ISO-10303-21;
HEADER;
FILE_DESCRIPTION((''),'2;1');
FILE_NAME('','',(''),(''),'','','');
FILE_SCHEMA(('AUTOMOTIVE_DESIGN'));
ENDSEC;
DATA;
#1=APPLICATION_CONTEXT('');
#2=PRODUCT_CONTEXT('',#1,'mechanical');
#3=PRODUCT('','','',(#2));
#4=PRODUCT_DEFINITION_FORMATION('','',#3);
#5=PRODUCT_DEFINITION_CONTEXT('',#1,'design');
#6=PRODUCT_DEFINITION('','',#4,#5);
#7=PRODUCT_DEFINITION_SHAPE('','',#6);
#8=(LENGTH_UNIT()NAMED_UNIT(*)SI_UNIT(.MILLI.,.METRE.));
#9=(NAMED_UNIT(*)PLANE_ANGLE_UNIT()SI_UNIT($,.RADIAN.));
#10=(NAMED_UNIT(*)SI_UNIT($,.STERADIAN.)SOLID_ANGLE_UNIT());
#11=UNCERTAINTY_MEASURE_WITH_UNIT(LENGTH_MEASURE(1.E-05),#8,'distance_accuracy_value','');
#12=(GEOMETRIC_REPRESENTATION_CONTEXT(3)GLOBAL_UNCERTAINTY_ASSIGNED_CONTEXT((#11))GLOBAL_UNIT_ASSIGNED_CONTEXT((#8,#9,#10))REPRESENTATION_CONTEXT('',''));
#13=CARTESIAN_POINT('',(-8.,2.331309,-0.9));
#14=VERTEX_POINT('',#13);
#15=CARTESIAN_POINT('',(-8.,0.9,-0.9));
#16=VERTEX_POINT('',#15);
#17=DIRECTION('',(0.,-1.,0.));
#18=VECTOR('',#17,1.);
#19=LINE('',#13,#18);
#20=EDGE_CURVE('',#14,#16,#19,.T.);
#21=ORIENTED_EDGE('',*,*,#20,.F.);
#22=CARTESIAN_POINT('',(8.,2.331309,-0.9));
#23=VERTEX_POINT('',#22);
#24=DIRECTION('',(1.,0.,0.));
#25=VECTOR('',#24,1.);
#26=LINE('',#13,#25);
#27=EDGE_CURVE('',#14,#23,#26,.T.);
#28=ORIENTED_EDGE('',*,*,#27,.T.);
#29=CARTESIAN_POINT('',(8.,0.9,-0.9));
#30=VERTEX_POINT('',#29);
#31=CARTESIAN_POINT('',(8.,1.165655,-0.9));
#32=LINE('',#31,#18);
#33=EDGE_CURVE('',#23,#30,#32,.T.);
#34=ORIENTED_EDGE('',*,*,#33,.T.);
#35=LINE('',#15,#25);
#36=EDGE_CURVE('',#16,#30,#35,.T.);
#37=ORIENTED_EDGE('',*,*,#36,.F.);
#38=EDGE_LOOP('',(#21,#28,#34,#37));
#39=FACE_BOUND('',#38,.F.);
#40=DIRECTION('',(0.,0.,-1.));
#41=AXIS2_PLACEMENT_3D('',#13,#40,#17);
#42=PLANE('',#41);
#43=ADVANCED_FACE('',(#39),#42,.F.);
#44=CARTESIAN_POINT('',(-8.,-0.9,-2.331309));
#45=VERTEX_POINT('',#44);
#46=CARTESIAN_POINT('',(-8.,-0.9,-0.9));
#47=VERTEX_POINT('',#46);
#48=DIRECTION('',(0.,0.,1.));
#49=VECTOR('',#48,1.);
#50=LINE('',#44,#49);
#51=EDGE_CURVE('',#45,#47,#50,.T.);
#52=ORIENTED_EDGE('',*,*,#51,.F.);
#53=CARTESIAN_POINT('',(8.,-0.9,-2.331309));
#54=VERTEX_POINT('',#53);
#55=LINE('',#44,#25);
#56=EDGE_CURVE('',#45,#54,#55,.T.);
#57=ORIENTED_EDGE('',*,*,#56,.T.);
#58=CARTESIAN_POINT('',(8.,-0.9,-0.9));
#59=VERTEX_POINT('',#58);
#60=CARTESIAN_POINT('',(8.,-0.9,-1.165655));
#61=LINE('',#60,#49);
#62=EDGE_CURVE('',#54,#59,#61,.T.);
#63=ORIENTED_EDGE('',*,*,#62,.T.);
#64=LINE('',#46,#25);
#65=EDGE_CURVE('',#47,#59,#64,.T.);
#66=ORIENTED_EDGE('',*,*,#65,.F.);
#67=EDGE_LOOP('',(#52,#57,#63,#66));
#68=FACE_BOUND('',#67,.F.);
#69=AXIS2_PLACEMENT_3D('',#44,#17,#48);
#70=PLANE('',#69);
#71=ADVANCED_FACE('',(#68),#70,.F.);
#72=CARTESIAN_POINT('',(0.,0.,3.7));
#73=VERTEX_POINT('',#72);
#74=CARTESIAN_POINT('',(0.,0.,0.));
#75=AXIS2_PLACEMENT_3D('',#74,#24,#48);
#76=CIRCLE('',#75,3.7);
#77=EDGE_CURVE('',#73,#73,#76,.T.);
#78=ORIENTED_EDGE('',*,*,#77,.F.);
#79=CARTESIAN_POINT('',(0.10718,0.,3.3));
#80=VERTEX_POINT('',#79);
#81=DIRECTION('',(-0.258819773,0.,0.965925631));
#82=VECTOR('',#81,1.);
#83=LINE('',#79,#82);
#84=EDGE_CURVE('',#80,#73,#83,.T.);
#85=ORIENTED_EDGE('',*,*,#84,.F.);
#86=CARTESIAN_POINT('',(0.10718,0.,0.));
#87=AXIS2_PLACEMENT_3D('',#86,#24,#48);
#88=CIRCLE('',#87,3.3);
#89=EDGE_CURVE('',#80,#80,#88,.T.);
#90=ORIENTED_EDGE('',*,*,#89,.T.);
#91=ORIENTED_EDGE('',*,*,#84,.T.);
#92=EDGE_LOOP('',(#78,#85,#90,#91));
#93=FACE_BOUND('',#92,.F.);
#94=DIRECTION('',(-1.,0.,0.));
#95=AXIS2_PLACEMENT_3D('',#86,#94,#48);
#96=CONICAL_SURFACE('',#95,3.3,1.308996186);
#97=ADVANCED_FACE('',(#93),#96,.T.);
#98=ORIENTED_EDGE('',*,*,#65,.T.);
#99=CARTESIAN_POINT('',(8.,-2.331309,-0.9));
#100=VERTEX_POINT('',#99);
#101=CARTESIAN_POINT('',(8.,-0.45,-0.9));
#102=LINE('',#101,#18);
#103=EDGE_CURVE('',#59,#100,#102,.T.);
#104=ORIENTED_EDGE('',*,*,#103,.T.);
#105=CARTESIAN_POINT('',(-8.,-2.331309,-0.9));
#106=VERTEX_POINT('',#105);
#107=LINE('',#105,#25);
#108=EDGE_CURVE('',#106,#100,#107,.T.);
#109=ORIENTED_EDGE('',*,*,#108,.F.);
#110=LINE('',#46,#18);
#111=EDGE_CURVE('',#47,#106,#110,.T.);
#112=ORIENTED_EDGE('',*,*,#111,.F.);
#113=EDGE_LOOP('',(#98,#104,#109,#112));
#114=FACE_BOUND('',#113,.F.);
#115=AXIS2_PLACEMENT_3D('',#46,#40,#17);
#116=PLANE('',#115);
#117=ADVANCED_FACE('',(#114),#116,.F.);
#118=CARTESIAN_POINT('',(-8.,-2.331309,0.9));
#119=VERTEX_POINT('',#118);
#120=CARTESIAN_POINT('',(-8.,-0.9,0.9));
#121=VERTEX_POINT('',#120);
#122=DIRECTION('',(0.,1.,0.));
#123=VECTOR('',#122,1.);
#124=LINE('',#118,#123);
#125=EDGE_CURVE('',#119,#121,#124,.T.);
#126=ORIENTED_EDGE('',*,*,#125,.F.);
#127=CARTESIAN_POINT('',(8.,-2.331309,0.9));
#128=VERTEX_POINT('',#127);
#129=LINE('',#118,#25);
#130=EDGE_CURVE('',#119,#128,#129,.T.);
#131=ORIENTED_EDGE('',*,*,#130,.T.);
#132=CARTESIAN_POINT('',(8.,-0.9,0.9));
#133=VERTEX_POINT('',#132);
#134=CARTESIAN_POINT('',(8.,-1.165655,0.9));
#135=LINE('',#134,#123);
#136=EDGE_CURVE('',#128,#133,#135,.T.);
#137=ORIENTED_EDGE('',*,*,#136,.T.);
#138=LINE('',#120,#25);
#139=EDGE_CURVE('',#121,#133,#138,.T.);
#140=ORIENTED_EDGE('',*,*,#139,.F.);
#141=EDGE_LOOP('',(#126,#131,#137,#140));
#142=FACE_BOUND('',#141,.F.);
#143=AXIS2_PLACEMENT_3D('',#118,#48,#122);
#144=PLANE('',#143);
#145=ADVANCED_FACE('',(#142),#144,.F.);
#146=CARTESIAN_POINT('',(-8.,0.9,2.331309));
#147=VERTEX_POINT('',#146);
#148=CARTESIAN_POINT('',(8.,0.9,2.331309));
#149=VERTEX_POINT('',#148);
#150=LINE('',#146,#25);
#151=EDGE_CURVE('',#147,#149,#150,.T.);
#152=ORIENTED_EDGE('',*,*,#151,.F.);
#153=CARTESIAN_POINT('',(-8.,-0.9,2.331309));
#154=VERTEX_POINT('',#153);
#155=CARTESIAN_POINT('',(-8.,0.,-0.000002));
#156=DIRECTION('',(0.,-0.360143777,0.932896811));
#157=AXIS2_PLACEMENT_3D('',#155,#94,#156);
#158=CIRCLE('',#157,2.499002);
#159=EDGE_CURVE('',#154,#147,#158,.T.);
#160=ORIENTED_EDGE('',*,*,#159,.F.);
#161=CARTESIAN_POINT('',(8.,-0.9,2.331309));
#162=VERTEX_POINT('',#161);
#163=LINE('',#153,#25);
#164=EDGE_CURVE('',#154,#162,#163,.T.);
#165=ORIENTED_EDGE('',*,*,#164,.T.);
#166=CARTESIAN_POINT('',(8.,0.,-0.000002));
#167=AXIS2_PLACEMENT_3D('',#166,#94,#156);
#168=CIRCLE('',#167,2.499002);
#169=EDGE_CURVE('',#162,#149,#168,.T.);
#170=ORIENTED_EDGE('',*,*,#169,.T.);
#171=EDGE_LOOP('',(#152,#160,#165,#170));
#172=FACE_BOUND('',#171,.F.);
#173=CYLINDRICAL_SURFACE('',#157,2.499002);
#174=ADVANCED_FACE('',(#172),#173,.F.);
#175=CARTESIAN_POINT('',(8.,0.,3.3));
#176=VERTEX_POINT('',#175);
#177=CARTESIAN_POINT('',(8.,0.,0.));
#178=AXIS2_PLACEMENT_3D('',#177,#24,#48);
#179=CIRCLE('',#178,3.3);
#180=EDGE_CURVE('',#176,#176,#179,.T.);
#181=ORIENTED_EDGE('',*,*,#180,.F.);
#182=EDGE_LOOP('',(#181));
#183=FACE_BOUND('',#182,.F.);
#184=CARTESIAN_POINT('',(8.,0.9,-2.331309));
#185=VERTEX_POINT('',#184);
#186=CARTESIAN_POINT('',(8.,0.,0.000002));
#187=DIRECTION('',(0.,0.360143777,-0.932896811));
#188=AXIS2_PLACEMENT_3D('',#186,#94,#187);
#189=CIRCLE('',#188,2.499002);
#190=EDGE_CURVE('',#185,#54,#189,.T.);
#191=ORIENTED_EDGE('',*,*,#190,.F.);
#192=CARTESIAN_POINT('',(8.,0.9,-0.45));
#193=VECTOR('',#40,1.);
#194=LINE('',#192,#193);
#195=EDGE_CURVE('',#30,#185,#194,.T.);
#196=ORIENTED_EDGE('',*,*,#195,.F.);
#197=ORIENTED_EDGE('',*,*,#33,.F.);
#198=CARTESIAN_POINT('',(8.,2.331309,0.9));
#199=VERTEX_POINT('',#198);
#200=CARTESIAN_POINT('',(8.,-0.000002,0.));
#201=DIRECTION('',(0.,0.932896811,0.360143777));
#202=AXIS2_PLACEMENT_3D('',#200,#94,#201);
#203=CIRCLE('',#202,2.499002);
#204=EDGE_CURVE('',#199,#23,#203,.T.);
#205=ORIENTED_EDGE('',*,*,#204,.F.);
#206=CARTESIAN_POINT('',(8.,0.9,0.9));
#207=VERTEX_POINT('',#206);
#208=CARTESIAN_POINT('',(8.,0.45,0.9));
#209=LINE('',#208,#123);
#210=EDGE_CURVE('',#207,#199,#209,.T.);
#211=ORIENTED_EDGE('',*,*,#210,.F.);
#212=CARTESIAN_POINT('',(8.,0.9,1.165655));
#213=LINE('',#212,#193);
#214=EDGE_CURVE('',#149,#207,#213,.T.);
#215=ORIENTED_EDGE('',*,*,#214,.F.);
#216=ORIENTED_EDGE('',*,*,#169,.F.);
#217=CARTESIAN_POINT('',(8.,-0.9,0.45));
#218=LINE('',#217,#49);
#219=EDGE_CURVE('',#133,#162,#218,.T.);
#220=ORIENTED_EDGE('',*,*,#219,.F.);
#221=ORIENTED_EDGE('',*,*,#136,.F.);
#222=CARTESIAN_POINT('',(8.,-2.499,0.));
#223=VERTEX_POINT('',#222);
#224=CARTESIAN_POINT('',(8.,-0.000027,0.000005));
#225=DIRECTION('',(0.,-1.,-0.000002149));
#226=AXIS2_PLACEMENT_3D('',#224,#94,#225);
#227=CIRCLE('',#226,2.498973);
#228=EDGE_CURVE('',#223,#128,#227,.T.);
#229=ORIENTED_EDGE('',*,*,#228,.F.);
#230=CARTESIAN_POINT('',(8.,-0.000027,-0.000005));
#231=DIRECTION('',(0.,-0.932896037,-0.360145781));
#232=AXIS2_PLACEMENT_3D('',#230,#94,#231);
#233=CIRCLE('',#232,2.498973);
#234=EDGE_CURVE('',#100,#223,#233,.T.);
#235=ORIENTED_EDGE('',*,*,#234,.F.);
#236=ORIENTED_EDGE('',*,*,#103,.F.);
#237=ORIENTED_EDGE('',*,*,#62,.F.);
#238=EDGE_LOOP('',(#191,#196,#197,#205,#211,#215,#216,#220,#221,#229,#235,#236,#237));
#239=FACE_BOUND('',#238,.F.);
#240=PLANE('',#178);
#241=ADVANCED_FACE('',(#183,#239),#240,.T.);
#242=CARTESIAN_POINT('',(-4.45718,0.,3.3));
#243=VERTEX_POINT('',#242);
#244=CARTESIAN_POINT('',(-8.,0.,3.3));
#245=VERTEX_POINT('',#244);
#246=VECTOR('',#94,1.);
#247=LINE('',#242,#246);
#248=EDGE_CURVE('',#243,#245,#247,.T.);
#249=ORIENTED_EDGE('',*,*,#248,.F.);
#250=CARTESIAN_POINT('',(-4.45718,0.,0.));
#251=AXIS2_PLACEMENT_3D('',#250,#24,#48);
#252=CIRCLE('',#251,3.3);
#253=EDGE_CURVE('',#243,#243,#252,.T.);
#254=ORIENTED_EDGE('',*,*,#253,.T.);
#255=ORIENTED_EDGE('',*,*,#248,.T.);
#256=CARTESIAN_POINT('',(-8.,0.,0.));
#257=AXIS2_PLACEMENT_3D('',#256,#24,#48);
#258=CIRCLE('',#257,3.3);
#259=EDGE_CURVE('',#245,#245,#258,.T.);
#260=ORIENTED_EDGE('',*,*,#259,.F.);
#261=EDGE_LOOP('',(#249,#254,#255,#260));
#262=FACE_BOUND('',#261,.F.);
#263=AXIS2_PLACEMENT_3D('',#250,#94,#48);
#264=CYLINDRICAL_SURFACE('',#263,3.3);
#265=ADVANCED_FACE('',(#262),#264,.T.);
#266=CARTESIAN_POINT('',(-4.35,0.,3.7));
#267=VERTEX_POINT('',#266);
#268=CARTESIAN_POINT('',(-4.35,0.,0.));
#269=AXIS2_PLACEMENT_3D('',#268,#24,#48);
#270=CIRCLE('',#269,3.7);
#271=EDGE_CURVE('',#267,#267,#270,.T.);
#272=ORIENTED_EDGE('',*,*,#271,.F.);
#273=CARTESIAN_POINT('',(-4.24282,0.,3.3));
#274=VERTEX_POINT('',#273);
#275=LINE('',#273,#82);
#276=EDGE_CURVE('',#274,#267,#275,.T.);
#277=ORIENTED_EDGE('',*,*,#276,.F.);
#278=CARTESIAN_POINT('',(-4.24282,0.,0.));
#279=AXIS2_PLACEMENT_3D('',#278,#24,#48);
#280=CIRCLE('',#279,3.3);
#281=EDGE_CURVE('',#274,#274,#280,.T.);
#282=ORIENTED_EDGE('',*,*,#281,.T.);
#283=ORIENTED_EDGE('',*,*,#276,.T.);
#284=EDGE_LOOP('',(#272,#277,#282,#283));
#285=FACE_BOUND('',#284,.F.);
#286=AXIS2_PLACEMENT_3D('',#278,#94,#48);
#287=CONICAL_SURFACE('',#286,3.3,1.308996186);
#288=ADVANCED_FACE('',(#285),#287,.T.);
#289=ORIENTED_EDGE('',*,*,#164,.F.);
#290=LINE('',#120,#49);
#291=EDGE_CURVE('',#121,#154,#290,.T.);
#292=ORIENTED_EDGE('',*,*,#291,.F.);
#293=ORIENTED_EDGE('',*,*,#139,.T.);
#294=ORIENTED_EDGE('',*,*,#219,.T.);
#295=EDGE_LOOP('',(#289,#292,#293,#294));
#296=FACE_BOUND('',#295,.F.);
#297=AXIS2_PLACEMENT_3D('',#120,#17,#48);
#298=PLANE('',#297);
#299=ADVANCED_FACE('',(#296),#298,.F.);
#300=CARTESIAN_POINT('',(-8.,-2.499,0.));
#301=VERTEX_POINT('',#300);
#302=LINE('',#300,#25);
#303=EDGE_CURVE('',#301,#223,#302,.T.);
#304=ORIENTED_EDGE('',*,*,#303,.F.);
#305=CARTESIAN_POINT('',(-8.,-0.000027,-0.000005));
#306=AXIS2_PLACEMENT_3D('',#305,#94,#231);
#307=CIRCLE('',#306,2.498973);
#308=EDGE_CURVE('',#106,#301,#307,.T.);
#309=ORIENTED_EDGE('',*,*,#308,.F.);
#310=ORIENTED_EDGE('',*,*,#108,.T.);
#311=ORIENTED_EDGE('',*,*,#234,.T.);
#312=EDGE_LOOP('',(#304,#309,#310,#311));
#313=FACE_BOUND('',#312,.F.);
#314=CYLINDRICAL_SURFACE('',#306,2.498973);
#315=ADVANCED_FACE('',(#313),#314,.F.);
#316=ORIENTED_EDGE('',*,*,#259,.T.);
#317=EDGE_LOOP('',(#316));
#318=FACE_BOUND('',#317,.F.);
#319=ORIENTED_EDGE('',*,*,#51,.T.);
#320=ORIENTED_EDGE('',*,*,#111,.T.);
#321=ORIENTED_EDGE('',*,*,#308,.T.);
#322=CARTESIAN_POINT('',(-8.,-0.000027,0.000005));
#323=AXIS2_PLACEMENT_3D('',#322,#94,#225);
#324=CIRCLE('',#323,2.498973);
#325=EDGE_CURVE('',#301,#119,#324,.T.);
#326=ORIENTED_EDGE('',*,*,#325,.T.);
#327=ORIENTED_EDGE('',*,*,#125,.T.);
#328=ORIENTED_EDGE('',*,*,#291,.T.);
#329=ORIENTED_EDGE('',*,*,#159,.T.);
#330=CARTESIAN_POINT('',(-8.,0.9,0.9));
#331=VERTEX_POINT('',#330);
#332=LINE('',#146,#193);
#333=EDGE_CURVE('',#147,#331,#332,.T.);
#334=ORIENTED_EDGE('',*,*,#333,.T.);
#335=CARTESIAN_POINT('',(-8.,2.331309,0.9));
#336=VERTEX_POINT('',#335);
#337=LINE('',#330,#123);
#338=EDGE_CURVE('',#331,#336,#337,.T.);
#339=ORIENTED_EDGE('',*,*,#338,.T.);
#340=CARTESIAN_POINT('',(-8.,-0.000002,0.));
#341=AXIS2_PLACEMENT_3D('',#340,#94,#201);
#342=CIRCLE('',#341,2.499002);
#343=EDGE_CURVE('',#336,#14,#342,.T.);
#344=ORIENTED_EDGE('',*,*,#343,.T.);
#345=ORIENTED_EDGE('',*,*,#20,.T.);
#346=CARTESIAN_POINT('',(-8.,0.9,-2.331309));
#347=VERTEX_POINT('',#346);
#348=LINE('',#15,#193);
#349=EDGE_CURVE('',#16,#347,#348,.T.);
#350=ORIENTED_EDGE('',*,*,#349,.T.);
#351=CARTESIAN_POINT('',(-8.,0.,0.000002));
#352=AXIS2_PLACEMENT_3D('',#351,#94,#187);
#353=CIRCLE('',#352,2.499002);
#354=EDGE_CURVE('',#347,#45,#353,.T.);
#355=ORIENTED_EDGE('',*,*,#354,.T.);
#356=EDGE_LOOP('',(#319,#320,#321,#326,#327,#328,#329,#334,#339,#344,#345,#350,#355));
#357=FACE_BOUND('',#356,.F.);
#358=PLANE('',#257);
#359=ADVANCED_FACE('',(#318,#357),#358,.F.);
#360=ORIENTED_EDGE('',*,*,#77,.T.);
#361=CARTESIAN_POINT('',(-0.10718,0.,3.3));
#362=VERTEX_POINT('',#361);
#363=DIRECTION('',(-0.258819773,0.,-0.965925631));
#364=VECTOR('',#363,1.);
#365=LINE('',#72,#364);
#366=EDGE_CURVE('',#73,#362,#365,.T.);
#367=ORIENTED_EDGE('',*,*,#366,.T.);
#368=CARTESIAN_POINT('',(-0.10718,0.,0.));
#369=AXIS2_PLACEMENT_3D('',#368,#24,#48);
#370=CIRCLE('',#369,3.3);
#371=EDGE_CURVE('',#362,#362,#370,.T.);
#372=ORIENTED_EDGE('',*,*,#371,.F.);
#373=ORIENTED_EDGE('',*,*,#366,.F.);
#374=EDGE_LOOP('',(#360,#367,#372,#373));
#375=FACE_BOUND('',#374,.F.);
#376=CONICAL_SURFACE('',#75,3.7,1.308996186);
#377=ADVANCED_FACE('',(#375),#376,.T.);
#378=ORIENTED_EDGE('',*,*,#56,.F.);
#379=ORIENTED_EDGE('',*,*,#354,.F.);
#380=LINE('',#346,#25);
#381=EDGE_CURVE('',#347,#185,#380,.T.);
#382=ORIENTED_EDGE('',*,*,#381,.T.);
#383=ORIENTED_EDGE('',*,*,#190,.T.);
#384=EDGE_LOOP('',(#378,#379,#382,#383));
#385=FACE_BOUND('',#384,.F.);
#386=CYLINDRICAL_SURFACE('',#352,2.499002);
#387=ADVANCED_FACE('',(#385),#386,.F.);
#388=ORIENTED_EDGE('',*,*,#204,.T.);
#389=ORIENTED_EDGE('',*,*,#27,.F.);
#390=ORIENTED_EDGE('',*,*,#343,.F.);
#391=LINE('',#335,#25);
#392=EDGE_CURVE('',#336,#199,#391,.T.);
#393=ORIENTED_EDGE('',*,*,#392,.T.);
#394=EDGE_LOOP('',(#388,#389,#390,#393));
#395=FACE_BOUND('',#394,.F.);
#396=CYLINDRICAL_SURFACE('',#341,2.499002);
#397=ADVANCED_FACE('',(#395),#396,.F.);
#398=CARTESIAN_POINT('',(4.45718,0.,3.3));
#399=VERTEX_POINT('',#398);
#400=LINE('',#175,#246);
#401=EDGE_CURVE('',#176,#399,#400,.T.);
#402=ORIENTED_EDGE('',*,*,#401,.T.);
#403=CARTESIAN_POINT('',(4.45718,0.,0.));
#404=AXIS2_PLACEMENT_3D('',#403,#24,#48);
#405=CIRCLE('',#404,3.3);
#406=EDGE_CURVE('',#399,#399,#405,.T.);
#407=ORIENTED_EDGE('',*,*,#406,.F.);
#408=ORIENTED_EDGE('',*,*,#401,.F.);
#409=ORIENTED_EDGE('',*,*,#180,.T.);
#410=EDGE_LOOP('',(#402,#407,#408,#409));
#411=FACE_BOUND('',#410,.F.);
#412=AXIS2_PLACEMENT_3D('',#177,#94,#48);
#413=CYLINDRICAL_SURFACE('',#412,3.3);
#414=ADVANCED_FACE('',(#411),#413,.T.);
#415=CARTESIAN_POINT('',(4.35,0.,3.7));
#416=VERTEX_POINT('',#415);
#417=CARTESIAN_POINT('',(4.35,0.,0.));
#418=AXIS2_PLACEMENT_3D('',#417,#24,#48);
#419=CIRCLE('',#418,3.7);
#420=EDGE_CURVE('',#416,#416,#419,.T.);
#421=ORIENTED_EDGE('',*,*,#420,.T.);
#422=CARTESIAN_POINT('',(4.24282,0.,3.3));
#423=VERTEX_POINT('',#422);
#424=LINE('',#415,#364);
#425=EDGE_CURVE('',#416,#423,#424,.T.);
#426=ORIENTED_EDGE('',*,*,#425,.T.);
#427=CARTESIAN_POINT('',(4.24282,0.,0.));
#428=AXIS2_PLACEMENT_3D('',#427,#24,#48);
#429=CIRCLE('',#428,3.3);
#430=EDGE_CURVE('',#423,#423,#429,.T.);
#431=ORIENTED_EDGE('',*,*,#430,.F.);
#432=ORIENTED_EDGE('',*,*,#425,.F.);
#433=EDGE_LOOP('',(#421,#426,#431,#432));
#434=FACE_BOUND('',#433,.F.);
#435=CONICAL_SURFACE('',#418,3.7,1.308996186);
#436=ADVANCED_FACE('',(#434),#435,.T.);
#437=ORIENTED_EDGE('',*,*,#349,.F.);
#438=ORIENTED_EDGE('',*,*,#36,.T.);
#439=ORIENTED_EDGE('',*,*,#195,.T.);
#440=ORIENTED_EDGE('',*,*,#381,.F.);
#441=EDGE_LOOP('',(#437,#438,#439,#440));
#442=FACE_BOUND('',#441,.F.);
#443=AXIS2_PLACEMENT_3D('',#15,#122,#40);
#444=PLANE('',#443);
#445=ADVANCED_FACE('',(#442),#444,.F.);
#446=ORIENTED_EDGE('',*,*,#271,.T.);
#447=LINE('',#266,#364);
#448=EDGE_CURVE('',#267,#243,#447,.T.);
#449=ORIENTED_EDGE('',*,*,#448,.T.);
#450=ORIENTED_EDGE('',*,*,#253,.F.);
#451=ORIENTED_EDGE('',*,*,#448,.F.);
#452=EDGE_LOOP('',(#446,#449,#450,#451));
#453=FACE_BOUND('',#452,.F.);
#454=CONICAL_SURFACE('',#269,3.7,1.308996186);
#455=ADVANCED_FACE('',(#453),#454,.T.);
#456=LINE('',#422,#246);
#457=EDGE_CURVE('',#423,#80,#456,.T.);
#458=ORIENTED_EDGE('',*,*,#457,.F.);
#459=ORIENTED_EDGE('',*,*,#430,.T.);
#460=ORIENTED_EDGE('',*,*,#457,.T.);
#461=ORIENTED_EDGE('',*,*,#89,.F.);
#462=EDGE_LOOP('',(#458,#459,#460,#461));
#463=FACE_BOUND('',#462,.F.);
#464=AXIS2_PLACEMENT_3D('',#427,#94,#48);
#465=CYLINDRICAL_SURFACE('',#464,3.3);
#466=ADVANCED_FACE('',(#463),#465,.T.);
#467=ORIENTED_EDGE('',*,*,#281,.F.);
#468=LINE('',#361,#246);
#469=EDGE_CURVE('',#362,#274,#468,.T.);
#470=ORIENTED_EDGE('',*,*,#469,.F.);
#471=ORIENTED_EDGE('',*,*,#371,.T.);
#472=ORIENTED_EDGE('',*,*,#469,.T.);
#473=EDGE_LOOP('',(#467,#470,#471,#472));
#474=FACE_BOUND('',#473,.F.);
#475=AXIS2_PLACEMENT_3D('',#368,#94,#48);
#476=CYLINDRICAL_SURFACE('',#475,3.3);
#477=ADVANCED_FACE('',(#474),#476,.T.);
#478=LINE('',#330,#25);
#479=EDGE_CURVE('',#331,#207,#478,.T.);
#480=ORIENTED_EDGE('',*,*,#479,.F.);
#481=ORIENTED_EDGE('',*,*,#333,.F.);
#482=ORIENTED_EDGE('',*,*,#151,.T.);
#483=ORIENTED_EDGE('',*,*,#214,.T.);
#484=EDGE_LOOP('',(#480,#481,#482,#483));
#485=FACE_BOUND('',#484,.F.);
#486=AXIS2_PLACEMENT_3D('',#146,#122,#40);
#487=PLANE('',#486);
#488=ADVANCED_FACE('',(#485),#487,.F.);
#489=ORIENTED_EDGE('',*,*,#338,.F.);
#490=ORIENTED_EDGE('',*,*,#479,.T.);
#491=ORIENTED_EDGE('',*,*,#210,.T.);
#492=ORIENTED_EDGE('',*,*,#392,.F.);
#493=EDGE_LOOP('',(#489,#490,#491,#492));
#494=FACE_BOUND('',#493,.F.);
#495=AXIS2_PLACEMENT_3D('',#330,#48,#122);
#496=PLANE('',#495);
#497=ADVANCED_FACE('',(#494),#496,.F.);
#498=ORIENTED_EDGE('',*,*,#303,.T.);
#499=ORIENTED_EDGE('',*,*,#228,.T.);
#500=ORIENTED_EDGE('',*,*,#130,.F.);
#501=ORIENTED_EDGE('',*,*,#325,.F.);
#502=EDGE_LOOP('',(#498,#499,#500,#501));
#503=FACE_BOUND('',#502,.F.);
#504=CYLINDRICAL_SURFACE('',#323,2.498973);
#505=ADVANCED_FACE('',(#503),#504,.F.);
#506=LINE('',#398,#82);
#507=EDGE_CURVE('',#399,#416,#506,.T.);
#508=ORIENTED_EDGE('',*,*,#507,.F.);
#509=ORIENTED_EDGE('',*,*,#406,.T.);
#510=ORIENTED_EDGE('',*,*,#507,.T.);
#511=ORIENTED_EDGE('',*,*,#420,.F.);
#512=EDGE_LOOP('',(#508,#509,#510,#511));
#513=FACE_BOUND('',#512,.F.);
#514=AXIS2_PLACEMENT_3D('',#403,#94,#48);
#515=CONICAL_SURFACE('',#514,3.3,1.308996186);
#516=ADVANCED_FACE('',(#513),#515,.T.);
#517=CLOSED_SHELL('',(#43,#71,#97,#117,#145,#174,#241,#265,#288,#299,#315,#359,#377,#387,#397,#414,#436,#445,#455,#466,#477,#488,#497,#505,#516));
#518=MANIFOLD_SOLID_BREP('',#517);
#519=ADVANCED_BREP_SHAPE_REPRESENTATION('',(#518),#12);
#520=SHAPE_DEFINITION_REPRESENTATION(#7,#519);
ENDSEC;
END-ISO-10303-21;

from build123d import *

# Parameters (mm, degrees)
F3_DEPTH = 16.001


with BuildPart() as f1:
    # F0 (on Front) → F1 (revolve)
    with BuildSketch(Plane.XZ):
        Polygon((8, 0), (8, 3.3), (4.45718, 3.3), (4.35, 3.7), (4.24282, 3.3), (0.10718, 3.3), (0, 3.7), (-0.10718, 3.3), (-4.24282, 3.3), (-4.35, 3.7), (-4.45718, 3.3), (-8, 3.3), (-8, 0), align=None)
    revolve(axis=Axis((-0.04464, 0, 0), (1, 0, 0)))

    # F2 (on face) → F3 (cut, through all)
    with BuildSketch(Plane(origin=(-8, 0, 0), x_dir=(0, -1, 0), z_dir=(-1, 0, 0))):
        with BuildLine():
            ThreePointArc((2.331309, -0.9), (2.45672, -0.457745), (2.499, 0))
            ThreePointArc((2.499, 0), (2.45672, 0.457745), (2.331309, 0.9))
            Line((2.331309, 0.9), (0.9, 0.9))
            Line((0.9, 0.9), (0.9, 2.331309))
            ThreePointArc((0.9, 2.331309), (0, 2.499), (-0.9, 2.331309))
            Line((-0.9, 2.331309), (-0.9, 0.9))
            Line((-0.9, 0.9), (-2.331309, 0.9))
            ThreePointArc((-2.331309, 0.9), (-2.499, 0), (-2.331309, -0.9))
            Line((-2.331309, -0.9), (-0.9, -0.9))
            Line((-0.9, -0.9), (-0.9, -2.331309))
            ThreePointArc((-0.9, -2.331309), (0, -2.499), (0.9, -2.331309))
            Line((0.9, -2.331309), (0.9, -0.9))
            Line((0.9, -0.9), (2.331309, -0.9))
        make_face()
    extrude(amount=-F3_DEPTH, mode=Mode.SUBTRACT)


solid = f1.part
